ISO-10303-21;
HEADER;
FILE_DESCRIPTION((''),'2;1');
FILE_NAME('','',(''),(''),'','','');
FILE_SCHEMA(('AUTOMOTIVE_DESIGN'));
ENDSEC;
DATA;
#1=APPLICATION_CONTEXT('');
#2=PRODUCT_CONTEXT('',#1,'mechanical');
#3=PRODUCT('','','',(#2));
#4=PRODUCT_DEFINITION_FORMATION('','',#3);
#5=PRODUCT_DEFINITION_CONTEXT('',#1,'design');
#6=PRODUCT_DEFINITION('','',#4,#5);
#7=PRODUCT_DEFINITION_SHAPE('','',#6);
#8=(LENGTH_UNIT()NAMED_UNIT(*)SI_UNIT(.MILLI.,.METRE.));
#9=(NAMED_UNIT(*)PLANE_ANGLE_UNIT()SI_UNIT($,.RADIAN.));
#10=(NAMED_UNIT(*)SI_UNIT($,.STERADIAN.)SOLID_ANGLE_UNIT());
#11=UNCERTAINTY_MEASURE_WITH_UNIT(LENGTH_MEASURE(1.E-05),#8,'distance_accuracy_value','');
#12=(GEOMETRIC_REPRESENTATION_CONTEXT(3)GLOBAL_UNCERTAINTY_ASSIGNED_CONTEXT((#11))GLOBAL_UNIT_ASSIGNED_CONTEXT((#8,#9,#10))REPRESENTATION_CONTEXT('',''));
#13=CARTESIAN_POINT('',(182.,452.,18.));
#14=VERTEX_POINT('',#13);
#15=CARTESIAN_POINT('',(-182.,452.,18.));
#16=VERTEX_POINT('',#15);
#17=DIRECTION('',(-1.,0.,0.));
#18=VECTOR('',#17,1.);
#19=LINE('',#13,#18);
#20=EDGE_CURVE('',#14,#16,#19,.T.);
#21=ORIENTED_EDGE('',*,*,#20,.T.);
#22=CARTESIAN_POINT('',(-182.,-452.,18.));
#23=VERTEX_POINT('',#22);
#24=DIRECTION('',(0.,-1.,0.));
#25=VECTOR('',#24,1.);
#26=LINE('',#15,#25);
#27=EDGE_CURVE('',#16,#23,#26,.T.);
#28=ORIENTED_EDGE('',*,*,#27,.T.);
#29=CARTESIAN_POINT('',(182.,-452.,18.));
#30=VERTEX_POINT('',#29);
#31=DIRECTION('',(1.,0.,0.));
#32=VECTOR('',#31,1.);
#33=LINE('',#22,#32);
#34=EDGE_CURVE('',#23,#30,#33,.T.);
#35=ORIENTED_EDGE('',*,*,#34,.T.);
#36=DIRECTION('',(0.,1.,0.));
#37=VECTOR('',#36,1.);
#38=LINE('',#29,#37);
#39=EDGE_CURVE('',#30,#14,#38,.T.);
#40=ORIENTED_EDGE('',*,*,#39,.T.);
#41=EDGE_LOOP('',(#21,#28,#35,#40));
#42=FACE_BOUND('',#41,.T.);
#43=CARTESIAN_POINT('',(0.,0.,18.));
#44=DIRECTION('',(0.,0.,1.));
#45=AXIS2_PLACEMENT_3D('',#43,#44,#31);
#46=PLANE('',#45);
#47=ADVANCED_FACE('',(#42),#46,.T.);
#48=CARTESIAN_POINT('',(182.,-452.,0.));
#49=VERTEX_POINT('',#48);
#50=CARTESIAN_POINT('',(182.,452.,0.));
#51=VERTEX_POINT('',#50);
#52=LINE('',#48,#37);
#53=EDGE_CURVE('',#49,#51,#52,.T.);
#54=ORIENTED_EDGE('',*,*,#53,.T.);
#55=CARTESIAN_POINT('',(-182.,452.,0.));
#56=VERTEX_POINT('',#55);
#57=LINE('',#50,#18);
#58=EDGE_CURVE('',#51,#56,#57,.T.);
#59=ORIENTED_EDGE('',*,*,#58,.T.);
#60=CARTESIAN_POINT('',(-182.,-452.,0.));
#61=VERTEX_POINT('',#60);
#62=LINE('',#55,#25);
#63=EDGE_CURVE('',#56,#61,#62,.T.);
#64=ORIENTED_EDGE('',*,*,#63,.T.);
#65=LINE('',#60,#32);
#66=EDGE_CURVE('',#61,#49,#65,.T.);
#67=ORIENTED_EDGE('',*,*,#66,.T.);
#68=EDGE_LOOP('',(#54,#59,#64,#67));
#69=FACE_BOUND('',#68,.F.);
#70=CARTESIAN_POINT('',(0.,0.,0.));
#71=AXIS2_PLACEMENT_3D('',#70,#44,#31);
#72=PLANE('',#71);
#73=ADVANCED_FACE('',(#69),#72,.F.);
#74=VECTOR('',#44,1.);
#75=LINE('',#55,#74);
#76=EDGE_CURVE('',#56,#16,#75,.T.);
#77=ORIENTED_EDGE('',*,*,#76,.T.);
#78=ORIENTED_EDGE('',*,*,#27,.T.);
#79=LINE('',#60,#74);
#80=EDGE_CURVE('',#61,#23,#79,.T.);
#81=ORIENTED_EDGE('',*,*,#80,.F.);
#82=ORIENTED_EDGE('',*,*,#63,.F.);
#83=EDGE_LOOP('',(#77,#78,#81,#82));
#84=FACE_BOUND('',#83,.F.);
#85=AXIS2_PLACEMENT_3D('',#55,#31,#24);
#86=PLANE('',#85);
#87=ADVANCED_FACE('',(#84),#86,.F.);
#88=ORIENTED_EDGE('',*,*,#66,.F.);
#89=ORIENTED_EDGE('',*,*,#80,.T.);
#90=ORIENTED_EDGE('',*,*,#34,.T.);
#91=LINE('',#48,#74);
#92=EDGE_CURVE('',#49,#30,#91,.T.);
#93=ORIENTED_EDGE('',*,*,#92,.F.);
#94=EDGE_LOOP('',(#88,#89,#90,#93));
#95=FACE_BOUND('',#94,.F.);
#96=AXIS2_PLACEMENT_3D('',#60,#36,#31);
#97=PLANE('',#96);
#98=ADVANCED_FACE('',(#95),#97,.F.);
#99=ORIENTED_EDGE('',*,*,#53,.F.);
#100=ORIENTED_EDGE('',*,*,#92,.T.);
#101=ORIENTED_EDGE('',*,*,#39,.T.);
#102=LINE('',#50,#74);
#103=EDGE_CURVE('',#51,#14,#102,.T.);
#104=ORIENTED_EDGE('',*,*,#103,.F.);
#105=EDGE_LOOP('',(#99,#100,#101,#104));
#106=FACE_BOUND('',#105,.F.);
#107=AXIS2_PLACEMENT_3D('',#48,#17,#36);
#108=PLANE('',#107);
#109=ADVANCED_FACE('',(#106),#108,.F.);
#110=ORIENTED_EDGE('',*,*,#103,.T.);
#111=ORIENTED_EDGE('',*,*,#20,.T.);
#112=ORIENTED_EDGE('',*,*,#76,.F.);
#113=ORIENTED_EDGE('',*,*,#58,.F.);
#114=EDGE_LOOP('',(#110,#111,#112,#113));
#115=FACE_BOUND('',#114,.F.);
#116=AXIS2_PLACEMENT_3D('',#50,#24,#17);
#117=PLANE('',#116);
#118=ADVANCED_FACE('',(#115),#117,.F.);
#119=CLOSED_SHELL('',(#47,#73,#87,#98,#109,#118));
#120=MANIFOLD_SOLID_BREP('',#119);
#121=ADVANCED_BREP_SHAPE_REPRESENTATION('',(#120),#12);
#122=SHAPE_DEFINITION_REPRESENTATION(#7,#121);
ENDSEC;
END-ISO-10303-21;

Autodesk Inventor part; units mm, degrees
ref_plane "YZ Plane" through (0, 0, 0) normal (1, 0, 0) x (0, 1, 0)
ref_plane "XZ Plane" through (0, 0, 0) normal (0, 1, 0) x (-1, 0, 0)
ref_plane "XY Plane" through (0, 0, 0) normal (0, 0, 1) x (1, 0, 0)
sketch "Skizze1" plane through (0, 0, 0) normal (0, 0, 1) x (1, 0, 0)
  line L0 (-182, -452) -> (182, -452)
  line L1 (182, -452) -> (182, 452)
  line L2 (182, 452) -> (-182, 452)
  line L3 (-182, 452) -> (-182, -452)
  line L4 (-182, -452) -> (182, 452) construction
  line L5 (182, -452) -> (-182, 452) construction
  point P0 (0, 0)
  dimension "d0" = 904
  dimension "d1" = 364
extrude "Extrusion1" add sketch "Skizze1" along normal blind 18
equation "\"d0\" = case_height - 2 * case_thickness"
equation "\"d1\" = case_width - 2 * case_thickness"
equation "\"d2\" = case_thickness"
equation "\"kg_thickness\" = 4.9"
equation "\"ht_thickness\" = 1.9"
equation "\"case_thickness\" = 18"
equation "\"inner_thickness\" = 15"
equation "\"gap_fit\" = 0.1"
equation "\"gap_slide\" = 0.2"
equation "\"gap_air\" = 1"
equation "\"bore_diameter\" = 73"
equation "\"mdf_thickness\" = 6"
equation "\"tape_width\" = 15"
equation "\"tape_thickness\" = 3"
equation "\"inner_depth\" = 255"
equation "\"case_height\" = 940"
equation "\"case_width\" = 400"
properties part number "Korpus_Rücken"
